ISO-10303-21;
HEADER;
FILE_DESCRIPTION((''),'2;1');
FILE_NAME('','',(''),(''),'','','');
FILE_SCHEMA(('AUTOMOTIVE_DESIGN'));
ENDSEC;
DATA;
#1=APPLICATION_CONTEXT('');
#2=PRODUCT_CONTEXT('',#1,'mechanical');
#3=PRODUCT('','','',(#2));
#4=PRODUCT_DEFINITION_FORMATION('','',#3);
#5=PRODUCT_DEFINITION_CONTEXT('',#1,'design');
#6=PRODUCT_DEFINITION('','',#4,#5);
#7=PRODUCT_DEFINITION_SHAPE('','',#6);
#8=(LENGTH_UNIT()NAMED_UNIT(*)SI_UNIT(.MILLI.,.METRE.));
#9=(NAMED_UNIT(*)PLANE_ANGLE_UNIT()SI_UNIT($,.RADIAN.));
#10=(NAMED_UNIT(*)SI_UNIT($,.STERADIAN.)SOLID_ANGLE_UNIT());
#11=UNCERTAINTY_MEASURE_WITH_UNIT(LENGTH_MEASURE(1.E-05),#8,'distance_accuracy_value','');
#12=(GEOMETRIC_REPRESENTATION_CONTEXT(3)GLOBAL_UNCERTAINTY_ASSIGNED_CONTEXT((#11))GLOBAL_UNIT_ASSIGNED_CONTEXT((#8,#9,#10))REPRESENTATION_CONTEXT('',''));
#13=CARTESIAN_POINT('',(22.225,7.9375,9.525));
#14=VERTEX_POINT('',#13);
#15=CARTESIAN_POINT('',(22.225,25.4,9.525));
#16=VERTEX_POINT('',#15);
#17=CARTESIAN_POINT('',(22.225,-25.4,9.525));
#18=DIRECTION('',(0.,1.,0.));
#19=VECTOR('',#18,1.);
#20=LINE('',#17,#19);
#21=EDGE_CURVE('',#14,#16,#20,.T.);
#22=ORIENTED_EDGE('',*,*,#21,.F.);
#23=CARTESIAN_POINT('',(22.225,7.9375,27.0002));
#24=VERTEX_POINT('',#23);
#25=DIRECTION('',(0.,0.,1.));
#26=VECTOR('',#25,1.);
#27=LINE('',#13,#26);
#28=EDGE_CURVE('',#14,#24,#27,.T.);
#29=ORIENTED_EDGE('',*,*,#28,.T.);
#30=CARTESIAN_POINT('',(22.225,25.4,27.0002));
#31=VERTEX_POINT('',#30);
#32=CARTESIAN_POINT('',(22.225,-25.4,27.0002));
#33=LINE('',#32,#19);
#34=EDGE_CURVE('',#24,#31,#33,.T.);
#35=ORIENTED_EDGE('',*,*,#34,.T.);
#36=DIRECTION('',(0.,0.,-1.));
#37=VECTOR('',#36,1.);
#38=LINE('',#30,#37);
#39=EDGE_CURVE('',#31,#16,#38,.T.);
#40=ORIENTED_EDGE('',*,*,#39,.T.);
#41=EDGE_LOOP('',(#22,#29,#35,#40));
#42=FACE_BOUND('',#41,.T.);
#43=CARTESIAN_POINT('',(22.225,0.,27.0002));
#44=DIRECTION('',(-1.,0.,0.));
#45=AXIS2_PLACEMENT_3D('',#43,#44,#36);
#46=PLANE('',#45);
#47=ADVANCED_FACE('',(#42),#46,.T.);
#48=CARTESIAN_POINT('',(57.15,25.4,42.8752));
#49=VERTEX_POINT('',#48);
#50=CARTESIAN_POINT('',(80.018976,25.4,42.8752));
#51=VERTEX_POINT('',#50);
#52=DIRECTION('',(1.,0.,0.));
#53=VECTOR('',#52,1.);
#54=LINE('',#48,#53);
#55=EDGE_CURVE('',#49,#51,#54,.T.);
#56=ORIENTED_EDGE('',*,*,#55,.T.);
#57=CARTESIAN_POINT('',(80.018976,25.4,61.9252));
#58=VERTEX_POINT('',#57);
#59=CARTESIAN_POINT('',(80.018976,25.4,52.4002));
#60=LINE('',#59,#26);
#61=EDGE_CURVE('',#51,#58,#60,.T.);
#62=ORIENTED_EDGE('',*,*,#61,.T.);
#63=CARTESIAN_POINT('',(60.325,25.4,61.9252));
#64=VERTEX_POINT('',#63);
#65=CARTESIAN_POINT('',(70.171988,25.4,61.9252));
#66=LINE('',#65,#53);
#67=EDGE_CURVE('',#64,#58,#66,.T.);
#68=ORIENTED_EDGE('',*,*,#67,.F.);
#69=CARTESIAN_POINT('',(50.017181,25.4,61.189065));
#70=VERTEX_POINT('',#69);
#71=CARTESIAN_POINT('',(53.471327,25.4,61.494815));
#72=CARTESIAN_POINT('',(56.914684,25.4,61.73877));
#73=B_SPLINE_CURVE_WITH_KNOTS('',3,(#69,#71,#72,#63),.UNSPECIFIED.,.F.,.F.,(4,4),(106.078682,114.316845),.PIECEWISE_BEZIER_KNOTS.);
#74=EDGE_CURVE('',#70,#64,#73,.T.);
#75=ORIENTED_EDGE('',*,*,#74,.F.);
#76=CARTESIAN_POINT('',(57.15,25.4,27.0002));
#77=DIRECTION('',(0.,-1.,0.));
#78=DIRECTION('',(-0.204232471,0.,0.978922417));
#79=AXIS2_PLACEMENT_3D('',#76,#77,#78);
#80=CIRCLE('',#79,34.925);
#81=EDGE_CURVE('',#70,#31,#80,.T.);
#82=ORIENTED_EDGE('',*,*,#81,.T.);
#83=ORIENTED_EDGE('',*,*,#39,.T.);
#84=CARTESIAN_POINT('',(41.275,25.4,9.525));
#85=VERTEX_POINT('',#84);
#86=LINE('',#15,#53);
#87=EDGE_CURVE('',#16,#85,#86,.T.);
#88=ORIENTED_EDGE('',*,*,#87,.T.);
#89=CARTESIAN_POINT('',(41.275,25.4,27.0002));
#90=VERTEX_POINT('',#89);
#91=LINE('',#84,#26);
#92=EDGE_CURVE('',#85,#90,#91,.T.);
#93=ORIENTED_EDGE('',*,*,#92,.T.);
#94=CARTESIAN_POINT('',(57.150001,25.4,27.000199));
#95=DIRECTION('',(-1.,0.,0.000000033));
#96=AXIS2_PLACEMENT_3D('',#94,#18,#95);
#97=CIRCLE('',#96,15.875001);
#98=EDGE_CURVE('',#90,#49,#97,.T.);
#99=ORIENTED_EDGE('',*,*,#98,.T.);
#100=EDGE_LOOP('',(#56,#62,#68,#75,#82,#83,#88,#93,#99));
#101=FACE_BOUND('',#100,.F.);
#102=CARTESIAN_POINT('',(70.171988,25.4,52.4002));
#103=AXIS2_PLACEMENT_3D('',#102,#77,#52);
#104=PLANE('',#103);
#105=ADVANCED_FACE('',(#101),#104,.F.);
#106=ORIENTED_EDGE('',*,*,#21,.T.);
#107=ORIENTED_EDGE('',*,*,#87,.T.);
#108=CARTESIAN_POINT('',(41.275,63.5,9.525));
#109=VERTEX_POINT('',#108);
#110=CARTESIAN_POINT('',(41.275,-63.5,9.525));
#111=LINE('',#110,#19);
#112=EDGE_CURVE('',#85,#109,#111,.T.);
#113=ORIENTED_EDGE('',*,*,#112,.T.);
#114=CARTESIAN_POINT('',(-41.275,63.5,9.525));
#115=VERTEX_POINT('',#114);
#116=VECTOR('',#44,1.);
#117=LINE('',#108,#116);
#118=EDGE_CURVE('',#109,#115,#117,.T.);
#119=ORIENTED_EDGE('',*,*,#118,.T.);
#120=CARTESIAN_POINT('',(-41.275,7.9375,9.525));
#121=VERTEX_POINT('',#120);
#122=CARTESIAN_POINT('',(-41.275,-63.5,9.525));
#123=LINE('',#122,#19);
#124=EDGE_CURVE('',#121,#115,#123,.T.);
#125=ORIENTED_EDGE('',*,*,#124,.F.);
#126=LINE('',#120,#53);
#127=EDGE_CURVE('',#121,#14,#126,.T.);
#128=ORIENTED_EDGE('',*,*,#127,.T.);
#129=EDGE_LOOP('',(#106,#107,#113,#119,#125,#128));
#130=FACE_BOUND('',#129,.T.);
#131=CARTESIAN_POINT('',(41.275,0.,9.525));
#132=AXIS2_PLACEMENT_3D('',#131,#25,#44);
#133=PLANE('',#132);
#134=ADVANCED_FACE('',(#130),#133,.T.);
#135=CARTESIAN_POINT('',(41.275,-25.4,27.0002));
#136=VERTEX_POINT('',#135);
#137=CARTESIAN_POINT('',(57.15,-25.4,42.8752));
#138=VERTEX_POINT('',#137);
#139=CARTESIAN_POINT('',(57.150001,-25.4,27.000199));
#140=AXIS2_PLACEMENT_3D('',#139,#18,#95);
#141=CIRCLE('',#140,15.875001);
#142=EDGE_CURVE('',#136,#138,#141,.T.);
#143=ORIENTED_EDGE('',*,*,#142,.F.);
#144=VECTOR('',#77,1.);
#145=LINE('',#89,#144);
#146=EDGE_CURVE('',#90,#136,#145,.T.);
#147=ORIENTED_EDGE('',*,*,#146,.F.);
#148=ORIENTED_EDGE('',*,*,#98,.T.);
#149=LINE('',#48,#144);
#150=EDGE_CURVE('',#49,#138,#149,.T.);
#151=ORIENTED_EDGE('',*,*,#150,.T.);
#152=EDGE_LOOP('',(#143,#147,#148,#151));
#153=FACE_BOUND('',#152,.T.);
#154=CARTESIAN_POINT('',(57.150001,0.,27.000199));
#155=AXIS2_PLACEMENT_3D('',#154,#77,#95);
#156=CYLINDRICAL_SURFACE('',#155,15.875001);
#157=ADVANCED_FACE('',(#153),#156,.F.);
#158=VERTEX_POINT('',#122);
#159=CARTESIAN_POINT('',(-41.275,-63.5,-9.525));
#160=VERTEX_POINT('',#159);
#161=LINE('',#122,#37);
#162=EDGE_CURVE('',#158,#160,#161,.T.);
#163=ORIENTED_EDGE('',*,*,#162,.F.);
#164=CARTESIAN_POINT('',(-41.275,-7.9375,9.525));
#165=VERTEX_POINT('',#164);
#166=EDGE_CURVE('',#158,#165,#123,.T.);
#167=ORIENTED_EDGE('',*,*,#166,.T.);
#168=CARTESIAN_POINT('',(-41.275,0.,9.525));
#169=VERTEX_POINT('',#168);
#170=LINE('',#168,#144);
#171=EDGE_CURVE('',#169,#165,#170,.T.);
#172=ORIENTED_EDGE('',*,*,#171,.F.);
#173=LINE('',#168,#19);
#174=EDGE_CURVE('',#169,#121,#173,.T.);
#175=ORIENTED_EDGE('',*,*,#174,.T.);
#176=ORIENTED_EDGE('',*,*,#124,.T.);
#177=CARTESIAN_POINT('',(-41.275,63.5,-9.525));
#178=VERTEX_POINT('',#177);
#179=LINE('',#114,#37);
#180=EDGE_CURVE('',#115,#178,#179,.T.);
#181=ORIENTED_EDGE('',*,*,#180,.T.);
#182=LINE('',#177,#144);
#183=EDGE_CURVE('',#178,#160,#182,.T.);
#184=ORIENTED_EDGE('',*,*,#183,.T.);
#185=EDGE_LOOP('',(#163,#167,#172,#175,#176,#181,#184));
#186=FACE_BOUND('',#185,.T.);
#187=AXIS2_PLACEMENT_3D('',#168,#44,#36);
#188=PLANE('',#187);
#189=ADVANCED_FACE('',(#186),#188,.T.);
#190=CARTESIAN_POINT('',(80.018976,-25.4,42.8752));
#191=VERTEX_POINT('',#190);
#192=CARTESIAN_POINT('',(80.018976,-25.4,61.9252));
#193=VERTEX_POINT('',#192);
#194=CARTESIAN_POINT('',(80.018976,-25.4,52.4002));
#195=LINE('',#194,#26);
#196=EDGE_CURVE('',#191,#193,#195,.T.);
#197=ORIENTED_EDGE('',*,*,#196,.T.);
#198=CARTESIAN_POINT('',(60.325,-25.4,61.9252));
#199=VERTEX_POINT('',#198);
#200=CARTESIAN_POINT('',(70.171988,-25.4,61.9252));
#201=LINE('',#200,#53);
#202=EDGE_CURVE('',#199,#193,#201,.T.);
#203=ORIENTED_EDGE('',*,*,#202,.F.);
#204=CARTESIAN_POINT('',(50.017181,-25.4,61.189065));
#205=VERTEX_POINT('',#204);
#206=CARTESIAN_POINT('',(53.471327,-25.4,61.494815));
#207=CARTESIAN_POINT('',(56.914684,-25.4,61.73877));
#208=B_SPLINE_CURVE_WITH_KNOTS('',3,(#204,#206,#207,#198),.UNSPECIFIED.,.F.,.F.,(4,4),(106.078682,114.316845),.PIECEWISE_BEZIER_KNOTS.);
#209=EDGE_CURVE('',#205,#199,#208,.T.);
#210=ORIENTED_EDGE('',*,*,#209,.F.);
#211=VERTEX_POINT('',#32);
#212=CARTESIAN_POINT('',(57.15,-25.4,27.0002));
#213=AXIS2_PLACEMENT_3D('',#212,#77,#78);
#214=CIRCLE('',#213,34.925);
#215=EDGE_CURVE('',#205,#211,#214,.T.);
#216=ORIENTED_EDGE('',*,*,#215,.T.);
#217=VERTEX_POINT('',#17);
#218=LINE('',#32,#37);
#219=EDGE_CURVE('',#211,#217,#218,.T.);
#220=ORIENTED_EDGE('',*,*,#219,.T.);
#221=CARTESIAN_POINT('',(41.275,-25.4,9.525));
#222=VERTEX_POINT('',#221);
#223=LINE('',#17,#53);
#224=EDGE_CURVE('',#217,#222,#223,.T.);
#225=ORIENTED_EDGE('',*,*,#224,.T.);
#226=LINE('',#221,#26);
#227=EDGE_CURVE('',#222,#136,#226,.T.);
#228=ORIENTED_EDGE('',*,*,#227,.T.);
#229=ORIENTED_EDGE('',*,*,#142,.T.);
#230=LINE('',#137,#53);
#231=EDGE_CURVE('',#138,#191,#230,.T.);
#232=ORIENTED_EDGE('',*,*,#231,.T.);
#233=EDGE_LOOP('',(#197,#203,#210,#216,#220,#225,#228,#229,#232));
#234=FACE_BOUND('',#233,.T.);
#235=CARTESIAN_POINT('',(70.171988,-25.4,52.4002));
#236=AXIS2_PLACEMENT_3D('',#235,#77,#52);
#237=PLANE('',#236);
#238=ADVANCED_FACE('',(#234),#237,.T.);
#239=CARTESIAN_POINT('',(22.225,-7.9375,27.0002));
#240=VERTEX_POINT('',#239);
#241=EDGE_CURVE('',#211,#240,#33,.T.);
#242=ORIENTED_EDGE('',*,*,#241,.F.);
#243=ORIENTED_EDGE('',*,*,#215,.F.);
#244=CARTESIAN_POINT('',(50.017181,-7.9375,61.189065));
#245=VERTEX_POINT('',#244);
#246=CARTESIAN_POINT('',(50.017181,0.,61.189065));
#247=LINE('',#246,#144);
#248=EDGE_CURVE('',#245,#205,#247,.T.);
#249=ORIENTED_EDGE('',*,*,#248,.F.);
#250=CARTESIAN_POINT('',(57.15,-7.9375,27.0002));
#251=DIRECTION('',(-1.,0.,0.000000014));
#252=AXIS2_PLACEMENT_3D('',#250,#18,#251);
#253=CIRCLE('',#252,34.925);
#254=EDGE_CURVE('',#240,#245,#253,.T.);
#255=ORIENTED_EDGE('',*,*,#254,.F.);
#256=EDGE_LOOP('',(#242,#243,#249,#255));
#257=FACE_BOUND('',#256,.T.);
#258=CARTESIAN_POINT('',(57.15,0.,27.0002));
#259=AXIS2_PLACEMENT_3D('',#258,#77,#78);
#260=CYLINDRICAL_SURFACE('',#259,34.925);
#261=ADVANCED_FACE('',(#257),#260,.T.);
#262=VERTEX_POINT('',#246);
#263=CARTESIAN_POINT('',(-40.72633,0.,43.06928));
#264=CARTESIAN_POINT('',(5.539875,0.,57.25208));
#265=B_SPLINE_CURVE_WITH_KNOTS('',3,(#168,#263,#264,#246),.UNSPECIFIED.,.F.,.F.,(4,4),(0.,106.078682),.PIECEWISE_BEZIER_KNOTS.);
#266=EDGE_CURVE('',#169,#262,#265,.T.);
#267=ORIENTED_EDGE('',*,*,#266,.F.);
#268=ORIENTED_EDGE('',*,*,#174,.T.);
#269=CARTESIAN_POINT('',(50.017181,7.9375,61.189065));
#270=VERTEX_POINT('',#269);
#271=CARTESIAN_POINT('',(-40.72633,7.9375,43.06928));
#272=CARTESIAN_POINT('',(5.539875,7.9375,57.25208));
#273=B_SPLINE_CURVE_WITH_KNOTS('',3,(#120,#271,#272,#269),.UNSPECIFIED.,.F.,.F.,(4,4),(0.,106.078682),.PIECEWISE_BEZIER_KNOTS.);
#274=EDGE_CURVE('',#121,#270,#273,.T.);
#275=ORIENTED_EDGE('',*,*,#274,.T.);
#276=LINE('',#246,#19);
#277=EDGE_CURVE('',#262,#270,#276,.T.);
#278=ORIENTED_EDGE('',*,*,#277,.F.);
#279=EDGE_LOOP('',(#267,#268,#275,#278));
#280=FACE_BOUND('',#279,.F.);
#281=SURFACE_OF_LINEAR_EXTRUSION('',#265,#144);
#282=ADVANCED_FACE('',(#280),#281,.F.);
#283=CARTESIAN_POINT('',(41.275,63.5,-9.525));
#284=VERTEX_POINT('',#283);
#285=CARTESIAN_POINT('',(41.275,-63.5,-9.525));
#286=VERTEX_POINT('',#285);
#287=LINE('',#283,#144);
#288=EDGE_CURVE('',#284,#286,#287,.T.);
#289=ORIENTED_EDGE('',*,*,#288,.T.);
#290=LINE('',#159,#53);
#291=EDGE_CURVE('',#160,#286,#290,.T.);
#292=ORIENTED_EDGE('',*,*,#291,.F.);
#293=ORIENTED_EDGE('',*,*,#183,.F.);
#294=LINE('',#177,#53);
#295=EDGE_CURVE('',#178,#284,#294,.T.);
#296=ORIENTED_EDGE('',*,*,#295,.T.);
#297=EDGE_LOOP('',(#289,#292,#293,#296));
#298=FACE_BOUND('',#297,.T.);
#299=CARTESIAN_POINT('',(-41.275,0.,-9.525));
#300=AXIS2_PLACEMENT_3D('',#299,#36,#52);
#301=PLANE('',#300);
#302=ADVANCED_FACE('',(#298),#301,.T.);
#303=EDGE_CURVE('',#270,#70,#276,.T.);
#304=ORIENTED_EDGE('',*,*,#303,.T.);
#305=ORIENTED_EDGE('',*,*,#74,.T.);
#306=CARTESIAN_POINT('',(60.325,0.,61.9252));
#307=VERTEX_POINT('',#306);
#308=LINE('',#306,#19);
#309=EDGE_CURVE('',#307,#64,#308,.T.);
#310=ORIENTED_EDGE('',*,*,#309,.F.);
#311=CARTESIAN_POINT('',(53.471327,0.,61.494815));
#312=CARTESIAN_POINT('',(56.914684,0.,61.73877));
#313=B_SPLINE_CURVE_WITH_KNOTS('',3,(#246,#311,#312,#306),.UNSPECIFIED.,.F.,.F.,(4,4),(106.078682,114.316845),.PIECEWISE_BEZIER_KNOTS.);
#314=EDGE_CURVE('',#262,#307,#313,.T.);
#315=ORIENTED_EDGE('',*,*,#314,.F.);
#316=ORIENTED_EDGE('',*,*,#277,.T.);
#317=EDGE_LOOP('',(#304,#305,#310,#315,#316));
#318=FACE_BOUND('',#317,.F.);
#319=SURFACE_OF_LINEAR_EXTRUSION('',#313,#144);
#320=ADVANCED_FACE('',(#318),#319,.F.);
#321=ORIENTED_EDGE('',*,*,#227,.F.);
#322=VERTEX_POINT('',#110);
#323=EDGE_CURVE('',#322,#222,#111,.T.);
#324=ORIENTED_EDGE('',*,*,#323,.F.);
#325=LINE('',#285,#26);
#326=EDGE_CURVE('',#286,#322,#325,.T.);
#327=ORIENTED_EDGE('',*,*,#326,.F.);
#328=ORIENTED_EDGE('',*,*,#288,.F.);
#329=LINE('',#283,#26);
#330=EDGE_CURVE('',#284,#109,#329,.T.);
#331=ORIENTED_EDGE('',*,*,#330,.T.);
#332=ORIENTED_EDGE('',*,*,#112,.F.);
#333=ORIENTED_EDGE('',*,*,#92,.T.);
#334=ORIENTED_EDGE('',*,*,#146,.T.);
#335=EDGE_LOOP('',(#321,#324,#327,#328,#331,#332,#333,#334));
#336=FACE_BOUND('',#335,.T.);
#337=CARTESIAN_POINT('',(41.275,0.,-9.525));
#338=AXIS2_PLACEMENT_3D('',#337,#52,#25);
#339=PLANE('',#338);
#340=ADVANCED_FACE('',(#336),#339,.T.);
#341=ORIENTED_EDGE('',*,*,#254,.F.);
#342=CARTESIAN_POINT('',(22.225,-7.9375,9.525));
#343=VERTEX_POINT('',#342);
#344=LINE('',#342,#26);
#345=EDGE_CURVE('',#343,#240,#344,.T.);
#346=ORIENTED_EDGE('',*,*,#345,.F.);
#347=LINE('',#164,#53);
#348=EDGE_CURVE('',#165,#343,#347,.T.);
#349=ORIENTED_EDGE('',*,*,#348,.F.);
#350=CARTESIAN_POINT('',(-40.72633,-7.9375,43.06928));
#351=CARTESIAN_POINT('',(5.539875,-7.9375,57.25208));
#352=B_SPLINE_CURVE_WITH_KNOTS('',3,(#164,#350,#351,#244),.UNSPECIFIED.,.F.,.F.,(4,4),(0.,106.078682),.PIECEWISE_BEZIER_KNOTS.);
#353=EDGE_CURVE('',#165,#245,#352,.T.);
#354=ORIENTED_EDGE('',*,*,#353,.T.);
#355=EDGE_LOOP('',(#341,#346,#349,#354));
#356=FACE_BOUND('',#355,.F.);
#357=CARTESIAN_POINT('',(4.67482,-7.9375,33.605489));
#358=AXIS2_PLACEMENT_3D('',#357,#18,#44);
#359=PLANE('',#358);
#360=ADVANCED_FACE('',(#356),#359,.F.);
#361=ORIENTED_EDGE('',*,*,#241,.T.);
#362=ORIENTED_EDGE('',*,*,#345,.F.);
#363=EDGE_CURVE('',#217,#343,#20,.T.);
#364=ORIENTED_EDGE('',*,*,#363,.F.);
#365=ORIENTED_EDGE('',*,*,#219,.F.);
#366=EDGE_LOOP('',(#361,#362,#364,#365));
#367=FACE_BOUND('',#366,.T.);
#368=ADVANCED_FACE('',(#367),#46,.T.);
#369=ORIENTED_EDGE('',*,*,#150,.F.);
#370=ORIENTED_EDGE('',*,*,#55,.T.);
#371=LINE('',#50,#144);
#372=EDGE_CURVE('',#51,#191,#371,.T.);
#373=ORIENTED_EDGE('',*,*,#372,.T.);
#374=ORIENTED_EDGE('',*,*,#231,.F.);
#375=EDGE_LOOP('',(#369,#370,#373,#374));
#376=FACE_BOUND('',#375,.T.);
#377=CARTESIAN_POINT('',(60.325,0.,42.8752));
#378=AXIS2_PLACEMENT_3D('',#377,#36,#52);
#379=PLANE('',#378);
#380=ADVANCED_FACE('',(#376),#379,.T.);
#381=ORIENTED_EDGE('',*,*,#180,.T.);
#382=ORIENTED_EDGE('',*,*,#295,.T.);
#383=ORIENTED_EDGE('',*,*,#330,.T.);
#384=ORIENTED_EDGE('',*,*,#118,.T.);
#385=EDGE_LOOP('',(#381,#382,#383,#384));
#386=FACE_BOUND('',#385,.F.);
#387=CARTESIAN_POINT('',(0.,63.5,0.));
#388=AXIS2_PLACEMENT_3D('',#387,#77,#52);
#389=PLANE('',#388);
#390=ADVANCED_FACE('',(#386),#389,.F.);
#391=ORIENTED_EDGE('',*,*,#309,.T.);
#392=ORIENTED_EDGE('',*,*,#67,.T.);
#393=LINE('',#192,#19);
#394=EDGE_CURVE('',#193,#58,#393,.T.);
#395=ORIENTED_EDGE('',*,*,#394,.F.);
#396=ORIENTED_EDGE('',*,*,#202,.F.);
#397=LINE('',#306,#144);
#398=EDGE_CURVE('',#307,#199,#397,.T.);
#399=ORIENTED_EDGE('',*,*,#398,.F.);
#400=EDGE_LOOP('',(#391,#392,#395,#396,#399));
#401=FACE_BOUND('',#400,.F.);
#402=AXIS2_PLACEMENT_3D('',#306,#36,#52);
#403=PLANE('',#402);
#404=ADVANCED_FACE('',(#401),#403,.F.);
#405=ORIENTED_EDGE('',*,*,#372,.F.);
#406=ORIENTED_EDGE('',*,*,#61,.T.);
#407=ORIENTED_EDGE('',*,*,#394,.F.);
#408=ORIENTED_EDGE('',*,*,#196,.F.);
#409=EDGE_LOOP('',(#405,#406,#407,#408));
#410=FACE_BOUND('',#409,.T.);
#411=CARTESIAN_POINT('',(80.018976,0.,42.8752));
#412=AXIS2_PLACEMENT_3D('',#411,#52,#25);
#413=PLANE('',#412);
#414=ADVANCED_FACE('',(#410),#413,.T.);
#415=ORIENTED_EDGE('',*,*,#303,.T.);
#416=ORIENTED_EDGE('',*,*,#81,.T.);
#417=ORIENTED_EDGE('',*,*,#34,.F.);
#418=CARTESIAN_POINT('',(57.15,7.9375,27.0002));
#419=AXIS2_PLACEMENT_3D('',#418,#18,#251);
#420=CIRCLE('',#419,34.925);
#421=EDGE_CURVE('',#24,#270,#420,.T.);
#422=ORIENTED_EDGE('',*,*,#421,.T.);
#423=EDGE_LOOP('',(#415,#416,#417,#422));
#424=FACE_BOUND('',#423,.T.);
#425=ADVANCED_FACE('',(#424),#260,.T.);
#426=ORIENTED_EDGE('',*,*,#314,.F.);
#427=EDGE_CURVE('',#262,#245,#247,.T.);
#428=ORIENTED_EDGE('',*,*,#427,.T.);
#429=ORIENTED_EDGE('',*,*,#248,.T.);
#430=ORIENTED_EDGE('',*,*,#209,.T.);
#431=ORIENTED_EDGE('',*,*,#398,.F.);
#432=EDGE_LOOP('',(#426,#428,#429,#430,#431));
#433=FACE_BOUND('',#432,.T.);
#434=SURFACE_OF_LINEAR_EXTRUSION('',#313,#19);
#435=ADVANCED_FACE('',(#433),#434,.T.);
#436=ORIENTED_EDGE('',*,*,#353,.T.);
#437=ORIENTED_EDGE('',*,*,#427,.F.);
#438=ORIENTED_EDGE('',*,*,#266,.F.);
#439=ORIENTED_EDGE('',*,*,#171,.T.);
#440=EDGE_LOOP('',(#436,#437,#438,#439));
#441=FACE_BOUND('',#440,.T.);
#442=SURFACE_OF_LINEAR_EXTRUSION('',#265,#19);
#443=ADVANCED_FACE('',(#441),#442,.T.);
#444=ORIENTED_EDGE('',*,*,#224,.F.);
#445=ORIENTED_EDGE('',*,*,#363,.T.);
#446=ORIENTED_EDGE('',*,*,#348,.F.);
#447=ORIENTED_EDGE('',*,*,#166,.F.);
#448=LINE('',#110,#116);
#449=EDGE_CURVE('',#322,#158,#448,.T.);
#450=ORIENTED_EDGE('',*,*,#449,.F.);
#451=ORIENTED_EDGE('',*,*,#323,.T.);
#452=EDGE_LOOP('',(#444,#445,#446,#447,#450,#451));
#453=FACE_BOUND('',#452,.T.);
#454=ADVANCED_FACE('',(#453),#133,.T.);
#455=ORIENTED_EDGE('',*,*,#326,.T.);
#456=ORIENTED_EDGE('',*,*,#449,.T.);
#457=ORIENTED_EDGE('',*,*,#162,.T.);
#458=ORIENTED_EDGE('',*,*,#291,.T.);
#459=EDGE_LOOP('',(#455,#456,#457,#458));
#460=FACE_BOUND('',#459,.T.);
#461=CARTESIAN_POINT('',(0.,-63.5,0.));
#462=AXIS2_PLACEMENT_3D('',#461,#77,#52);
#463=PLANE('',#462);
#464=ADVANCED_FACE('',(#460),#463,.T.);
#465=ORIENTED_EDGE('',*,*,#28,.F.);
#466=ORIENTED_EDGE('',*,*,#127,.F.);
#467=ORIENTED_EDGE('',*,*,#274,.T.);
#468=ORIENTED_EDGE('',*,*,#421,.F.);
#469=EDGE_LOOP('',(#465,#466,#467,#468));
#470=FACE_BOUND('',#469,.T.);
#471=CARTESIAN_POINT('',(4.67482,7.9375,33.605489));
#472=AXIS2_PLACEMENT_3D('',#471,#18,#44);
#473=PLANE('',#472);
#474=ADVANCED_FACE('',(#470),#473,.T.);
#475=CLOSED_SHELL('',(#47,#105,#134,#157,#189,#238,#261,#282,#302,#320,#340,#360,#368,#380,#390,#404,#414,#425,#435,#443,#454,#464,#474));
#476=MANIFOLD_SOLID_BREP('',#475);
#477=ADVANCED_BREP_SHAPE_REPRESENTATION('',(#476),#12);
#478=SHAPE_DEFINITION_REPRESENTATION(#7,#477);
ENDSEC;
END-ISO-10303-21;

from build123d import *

# Parameters (mm, degrees)
F1_DEPTH = 63.5
F2_DEPTH = 25.4
F0_W     = 19.693976
F0_H     = 19.05
F3_DEPTH = 25.4
F4_DEPTH = 7.9375


with BuildPart() as f1:
    # F0 (on Front) → F1 (new body, symmetric)
    with BuildSketch(Plane.XZ):
        Polygon((-41.275, 9.525), (-41.275, -9.525), (41.275, -9.525), (41.275, 9.525), (22.225, 9.525), align=None)
    extrude(amount=F1_DEPTH, both=True)

    # F0 (on Front) → F2 (join, symmetric)
    with BuildSketch(Plane.XZ):
        with BuildLine():
            Line((22.225, 9.525), (41.275, 9.525))
            Line((41.275, 9.525), (41.275, 27.0002))
            ThreePointArc((41.275, 27.0002), (45.92468, 38.22552), (57.15, 42.8752))
            Line((57.15, 42.8752), (60.325, 42.8752))
            Line((60.325, 42.8752), (60.325, 61.9252))
            add(Edge.make_bspline(
                [(50.017181, 61.189065), (53.471327, 61.494815), (56.914684, 61.73877), (60.325, 61.9252)],
                knots=[106.078682, 106.078682, 106.078682, 106.078682, 114.316845, 114.316845, 114.316845, 114.316845], degree=3))
            ThreePointArc((50.017181, 61.189065), (30.049545, 49.030201), (22.225, 27.0002))
            Line((22.225, 27.0002), (22.225, 9.525))
        make_face()
    extrude(amount=F2_DEPTH, both=True)

    # F0 (on Front) → F3 (join, symmetric)
    with BuildSketch(Plane.XZ):
        with Locations((70.171988, 52.4002)):
            Rectangle(F0_W, F0_H)
    extrude(amount=F3_DEPTH, both=True)

    # F0 (on Front) → F4 (join, symmetric)
    with BuildSketch(Plane.XZ):
        with BuildLine():
            add(Edge.make_bspline(
                [(-41.275, 9.525), (-40.72633, 43.06928), (5.539875, 57.25208), (50.017181, 61.189065)],
                knots=[0, 0, 0, 0, 106.078682, 106.078682, 106.078682, 106.078682], degree=3))
            Line((-41.275, 9.525), (22.225, 9.525))
            Line((22.225, 9.525), (22.225, 27.0002))
            ThreePointArc((22.225, 27.0002), (30.049545, 49.030201), (50.017181, 61.189065))
        make_face()
    extrude(amount=F4_DEPTH, both=True)


solid = f1.part
